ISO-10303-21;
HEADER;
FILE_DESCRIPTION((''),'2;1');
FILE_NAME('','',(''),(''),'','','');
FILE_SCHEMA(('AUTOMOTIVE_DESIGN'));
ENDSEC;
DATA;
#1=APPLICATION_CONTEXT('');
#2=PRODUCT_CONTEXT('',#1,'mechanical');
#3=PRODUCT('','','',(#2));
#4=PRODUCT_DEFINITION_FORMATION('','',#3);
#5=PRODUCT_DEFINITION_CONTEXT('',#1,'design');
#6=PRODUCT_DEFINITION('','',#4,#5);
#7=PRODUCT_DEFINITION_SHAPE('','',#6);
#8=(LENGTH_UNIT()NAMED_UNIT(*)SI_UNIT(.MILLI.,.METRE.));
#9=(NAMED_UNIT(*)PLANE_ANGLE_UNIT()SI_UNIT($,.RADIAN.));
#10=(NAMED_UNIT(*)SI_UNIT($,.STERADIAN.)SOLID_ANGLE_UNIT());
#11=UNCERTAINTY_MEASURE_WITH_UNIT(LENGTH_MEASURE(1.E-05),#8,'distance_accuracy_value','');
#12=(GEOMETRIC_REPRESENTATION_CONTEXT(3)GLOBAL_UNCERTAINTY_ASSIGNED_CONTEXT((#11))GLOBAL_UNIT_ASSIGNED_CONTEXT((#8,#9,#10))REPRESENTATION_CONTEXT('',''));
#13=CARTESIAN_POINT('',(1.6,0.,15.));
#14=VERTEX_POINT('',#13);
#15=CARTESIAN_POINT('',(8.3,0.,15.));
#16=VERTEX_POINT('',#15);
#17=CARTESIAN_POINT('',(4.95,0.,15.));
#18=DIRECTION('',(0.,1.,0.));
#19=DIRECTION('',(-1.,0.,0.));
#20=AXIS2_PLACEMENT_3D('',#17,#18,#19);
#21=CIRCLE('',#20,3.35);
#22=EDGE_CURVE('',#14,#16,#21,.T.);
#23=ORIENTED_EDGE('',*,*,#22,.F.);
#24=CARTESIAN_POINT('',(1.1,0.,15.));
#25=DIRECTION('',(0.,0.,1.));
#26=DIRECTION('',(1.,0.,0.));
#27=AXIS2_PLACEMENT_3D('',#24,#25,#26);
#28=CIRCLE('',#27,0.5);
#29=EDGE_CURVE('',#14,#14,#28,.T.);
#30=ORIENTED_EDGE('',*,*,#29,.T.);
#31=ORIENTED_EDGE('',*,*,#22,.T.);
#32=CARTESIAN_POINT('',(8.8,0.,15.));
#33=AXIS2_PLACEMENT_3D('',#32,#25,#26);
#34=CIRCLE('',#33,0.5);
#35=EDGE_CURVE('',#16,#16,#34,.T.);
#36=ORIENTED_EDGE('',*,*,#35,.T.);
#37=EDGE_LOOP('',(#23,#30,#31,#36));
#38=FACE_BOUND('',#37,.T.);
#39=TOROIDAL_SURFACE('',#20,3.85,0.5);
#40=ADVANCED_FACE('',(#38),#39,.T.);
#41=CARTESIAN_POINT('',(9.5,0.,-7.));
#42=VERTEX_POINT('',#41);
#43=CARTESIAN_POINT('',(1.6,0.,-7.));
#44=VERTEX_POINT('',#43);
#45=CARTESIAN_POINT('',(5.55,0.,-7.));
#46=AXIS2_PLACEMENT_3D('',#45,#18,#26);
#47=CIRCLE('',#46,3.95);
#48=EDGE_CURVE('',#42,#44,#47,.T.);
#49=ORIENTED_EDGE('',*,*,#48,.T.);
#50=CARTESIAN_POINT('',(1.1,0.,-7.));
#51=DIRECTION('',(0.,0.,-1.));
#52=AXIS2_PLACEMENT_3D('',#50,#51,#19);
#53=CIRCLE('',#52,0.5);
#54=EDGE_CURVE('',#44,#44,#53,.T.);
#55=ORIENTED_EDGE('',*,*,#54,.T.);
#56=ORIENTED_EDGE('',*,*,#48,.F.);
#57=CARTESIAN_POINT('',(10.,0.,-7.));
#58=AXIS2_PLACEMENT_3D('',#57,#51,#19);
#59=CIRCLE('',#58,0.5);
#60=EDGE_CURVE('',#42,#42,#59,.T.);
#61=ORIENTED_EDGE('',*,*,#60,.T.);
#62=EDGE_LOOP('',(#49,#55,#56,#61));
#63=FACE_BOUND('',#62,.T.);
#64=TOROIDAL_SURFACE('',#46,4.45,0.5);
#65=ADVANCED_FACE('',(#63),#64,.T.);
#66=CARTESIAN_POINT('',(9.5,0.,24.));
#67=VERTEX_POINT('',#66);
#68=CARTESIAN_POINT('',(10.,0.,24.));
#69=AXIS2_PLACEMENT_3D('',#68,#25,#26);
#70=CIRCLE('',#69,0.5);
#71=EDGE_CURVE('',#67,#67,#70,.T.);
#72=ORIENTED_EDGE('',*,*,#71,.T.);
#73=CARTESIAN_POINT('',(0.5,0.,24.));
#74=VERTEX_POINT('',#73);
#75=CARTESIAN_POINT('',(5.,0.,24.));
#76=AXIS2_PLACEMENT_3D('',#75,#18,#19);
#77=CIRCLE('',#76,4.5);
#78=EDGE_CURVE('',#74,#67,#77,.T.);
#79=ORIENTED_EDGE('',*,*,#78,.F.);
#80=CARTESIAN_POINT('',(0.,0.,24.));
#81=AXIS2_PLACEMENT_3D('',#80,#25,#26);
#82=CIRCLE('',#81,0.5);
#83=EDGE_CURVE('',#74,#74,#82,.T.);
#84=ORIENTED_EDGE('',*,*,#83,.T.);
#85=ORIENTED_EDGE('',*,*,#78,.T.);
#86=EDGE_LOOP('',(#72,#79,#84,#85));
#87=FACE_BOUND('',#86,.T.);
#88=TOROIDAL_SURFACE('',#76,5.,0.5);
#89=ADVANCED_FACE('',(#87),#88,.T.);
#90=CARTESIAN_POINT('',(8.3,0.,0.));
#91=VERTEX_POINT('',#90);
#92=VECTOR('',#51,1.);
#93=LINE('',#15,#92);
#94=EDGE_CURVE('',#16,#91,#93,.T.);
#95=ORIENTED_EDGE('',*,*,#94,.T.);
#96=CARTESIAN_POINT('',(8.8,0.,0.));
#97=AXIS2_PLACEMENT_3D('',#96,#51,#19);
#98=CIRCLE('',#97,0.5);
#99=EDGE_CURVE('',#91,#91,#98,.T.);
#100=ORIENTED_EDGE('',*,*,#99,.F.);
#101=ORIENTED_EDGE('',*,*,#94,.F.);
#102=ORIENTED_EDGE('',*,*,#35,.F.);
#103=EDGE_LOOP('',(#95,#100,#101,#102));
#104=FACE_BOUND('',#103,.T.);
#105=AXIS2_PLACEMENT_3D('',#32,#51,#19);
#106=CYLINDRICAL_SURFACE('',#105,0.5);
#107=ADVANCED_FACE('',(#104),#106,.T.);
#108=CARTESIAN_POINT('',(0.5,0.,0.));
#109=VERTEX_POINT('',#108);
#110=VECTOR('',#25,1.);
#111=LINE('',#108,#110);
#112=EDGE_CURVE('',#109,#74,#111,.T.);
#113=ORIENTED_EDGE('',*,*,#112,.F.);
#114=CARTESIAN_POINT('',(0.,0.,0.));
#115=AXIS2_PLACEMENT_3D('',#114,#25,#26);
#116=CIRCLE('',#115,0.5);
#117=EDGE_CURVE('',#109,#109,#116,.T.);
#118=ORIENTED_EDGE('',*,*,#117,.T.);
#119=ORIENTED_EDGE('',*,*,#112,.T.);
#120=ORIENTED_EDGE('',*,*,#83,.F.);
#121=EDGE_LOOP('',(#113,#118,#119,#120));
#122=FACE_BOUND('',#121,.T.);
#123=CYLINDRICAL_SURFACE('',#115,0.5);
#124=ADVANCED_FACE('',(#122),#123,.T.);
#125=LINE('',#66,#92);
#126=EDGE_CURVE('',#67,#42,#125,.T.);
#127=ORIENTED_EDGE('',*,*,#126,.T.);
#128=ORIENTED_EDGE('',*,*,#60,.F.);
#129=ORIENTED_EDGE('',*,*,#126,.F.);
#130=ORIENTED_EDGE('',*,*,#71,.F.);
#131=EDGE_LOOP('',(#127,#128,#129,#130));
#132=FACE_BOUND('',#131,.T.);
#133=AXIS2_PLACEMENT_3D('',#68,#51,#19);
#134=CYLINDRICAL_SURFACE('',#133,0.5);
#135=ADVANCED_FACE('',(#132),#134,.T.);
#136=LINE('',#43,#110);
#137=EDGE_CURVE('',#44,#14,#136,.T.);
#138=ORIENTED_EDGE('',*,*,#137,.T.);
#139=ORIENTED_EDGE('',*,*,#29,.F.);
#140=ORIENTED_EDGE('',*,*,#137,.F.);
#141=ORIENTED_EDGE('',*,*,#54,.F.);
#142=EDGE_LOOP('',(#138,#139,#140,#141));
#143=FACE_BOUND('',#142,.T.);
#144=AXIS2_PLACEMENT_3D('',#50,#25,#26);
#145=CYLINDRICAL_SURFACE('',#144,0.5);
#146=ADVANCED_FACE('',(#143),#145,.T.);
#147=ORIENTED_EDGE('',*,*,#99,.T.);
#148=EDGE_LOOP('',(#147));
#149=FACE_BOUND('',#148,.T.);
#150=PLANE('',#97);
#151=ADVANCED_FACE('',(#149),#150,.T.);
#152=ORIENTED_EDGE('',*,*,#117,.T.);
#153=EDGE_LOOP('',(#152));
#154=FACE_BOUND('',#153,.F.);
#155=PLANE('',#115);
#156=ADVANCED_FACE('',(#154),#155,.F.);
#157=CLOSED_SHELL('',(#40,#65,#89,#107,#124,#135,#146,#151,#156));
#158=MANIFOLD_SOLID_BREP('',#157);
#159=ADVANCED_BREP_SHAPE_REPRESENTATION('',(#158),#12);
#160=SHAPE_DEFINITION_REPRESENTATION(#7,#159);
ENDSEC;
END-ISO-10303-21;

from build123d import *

# Parameters (mm, degrees)
F1_R = 0.5


with BuildPart() as f2:
    # F2: sweep along a path in F0
    with BuildLine(Plane.XZ) as f2_path:
        Line((0, 0), (0, 24))
        ThreePointArc((0, 24), (5, 29), (10, 24))
        Line((10, 24), (10, -7))
        ThreePointArc((10, -7), (5.55, -11.45), (1.1, -7))
        Line((1.1, -7), (1.1, 15))
        ThreePointArc((1.1, 15), (4.95, 18.85), (8.8, 15))
        Line((8.8, 15), (8.8, 0))
    # F1 (on Top) → F2 (sweep)
    with BuildSketch(Plane.XY):
        Circle(F1_R)
    sweep(path=f2_path.line)


solid = f2.part
